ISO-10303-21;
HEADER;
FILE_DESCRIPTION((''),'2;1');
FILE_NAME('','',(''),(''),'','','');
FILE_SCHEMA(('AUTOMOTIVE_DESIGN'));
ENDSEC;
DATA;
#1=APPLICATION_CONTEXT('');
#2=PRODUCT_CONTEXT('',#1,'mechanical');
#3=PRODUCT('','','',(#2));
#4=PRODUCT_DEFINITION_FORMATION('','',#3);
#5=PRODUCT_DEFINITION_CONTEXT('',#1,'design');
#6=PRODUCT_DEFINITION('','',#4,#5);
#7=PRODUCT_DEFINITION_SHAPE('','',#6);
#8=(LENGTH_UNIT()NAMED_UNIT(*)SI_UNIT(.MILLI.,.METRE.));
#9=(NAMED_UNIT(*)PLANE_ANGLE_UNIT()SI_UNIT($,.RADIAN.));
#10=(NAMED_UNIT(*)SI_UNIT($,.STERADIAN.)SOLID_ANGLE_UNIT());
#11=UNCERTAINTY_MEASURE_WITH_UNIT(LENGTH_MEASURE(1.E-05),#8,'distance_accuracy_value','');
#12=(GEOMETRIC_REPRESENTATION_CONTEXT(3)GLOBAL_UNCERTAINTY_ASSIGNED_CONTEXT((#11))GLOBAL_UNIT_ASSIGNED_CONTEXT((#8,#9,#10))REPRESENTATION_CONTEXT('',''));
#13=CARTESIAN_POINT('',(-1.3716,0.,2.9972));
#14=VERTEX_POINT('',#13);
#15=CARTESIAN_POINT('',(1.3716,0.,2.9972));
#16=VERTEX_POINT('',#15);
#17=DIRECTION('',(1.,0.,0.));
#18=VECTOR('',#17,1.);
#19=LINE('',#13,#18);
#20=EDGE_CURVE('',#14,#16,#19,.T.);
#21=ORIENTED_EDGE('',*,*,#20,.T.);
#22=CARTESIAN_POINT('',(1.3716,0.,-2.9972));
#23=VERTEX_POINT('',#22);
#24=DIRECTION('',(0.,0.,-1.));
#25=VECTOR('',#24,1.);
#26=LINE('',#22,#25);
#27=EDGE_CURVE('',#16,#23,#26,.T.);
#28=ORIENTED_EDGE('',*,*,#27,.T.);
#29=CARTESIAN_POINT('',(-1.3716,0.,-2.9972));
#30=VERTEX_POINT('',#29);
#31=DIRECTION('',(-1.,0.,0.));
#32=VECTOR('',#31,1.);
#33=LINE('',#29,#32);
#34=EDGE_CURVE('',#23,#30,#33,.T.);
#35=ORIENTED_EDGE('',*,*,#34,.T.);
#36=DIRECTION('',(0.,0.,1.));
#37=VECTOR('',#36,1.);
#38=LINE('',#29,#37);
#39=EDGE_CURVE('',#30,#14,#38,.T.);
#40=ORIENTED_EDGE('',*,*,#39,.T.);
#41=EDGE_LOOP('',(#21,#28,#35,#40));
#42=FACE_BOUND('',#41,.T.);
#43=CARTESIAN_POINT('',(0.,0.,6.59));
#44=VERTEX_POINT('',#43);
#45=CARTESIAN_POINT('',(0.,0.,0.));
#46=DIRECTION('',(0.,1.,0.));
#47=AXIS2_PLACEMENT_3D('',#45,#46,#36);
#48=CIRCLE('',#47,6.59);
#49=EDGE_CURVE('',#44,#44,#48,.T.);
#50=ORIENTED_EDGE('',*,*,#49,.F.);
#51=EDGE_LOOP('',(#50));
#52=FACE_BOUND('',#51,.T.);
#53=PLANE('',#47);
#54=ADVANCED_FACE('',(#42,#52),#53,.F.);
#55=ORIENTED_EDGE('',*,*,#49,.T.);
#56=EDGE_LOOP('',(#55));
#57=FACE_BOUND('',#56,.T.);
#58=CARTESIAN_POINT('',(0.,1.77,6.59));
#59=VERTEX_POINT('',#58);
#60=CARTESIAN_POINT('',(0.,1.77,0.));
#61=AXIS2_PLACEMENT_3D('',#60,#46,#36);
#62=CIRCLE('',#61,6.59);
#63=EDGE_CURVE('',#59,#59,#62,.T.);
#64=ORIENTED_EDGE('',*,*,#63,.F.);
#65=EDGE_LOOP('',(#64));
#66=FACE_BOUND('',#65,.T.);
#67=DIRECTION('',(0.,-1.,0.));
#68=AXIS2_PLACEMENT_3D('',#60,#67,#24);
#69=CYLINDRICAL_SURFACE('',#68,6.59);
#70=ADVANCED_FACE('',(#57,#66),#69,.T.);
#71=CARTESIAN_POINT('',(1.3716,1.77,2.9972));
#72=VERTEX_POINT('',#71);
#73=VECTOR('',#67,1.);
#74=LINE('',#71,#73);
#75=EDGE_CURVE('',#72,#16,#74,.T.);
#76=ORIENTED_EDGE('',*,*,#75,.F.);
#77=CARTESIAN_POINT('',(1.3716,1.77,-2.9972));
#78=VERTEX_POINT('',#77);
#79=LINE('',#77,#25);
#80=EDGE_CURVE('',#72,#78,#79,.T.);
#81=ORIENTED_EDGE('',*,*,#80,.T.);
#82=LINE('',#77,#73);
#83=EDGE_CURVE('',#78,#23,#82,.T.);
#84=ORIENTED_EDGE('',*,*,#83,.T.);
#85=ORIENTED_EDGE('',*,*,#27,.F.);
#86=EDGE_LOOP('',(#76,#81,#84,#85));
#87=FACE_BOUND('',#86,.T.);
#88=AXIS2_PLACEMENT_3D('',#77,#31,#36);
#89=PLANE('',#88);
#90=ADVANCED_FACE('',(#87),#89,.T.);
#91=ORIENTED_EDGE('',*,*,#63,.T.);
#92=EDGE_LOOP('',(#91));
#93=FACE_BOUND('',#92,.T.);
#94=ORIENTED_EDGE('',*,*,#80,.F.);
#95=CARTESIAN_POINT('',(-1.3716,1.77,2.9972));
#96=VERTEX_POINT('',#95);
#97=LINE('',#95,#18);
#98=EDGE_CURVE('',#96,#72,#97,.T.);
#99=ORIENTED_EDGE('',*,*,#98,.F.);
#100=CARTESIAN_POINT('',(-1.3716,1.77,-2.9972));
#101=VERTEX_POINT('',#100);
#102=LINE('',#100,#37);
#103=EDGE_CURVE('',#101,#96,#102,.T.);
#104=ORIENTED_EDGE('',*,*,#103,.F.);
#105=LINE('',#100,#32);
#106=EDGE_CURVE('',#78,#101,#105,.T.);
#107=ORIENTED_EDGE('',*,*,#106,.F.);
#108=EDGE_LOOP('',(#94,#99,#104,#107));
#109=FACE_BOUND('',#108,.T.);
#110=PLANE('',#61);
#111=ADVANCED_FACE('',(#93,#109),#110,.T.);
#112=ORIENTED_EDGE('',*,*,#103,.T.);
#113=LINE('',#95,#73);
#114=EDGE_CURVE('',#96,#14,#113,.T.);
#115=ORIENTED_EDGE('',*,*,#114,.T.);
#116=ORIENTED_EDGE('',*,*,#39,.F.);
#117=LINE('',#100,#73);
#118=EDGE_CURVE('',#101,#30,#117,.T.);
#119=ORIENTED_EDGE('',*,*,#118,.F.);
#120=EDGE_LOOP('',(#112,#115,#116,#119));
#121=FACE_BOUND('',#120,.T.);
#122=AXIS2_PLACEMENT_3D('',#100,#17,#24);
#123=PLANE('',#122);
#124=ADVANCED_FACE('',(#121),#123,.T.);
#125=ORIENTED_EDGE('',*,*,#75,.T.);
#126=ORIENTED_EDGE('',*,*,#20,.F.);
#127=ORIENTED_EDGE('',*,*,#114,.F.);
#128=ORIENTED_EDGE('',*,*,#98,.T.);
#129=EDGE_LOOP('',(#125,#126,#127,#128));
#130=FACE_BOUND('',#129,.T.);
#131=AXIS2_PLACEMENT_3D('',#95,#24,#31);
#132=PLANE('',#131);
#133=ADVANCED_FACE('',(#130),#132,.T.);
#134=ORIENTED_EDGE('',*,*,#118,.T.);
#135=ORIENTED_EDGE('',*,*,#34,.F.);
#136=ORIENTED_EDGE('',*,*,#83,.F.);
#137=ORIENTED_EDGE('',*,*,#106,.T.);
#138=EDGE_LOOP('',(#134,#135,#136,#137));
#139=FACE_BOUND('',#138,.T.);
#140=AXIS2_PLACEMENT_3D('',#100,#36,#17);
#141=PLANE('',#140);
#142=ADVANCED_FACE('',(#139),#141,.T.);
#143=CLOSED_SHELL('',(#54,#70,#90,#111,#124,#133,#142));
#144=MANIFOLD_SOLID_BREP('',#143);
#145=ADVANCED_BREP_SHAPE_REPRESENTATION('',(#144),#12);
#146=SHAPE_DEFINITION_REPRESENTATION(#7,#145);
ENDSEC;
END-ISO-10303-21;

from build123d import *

# Parameters (mm, degrees)
SKETCH1_R           = 6.59
SKETCH1_W           = 2.7432
SKETCH1_H           = 5.9944
BOSS_EXTRUDE1_DEPTH = 1.77


with BuildPart() as part:
    # Sketch1 → Boss-Extrude1 (new body)
    with BuildSketch(Plane(origin=(0, 0, 0), x_dir=(1, 0, 0), z_dir=(0, 1, 0))):
        Circle(SKETCH1_R)
        Rectangle(SKETCH1_W, SKETCH1_H, mode=Mode.SUBTRACT)
    extrude(amount=BOSS_EXTRUDE1_DEPTH)


solid = part.part
